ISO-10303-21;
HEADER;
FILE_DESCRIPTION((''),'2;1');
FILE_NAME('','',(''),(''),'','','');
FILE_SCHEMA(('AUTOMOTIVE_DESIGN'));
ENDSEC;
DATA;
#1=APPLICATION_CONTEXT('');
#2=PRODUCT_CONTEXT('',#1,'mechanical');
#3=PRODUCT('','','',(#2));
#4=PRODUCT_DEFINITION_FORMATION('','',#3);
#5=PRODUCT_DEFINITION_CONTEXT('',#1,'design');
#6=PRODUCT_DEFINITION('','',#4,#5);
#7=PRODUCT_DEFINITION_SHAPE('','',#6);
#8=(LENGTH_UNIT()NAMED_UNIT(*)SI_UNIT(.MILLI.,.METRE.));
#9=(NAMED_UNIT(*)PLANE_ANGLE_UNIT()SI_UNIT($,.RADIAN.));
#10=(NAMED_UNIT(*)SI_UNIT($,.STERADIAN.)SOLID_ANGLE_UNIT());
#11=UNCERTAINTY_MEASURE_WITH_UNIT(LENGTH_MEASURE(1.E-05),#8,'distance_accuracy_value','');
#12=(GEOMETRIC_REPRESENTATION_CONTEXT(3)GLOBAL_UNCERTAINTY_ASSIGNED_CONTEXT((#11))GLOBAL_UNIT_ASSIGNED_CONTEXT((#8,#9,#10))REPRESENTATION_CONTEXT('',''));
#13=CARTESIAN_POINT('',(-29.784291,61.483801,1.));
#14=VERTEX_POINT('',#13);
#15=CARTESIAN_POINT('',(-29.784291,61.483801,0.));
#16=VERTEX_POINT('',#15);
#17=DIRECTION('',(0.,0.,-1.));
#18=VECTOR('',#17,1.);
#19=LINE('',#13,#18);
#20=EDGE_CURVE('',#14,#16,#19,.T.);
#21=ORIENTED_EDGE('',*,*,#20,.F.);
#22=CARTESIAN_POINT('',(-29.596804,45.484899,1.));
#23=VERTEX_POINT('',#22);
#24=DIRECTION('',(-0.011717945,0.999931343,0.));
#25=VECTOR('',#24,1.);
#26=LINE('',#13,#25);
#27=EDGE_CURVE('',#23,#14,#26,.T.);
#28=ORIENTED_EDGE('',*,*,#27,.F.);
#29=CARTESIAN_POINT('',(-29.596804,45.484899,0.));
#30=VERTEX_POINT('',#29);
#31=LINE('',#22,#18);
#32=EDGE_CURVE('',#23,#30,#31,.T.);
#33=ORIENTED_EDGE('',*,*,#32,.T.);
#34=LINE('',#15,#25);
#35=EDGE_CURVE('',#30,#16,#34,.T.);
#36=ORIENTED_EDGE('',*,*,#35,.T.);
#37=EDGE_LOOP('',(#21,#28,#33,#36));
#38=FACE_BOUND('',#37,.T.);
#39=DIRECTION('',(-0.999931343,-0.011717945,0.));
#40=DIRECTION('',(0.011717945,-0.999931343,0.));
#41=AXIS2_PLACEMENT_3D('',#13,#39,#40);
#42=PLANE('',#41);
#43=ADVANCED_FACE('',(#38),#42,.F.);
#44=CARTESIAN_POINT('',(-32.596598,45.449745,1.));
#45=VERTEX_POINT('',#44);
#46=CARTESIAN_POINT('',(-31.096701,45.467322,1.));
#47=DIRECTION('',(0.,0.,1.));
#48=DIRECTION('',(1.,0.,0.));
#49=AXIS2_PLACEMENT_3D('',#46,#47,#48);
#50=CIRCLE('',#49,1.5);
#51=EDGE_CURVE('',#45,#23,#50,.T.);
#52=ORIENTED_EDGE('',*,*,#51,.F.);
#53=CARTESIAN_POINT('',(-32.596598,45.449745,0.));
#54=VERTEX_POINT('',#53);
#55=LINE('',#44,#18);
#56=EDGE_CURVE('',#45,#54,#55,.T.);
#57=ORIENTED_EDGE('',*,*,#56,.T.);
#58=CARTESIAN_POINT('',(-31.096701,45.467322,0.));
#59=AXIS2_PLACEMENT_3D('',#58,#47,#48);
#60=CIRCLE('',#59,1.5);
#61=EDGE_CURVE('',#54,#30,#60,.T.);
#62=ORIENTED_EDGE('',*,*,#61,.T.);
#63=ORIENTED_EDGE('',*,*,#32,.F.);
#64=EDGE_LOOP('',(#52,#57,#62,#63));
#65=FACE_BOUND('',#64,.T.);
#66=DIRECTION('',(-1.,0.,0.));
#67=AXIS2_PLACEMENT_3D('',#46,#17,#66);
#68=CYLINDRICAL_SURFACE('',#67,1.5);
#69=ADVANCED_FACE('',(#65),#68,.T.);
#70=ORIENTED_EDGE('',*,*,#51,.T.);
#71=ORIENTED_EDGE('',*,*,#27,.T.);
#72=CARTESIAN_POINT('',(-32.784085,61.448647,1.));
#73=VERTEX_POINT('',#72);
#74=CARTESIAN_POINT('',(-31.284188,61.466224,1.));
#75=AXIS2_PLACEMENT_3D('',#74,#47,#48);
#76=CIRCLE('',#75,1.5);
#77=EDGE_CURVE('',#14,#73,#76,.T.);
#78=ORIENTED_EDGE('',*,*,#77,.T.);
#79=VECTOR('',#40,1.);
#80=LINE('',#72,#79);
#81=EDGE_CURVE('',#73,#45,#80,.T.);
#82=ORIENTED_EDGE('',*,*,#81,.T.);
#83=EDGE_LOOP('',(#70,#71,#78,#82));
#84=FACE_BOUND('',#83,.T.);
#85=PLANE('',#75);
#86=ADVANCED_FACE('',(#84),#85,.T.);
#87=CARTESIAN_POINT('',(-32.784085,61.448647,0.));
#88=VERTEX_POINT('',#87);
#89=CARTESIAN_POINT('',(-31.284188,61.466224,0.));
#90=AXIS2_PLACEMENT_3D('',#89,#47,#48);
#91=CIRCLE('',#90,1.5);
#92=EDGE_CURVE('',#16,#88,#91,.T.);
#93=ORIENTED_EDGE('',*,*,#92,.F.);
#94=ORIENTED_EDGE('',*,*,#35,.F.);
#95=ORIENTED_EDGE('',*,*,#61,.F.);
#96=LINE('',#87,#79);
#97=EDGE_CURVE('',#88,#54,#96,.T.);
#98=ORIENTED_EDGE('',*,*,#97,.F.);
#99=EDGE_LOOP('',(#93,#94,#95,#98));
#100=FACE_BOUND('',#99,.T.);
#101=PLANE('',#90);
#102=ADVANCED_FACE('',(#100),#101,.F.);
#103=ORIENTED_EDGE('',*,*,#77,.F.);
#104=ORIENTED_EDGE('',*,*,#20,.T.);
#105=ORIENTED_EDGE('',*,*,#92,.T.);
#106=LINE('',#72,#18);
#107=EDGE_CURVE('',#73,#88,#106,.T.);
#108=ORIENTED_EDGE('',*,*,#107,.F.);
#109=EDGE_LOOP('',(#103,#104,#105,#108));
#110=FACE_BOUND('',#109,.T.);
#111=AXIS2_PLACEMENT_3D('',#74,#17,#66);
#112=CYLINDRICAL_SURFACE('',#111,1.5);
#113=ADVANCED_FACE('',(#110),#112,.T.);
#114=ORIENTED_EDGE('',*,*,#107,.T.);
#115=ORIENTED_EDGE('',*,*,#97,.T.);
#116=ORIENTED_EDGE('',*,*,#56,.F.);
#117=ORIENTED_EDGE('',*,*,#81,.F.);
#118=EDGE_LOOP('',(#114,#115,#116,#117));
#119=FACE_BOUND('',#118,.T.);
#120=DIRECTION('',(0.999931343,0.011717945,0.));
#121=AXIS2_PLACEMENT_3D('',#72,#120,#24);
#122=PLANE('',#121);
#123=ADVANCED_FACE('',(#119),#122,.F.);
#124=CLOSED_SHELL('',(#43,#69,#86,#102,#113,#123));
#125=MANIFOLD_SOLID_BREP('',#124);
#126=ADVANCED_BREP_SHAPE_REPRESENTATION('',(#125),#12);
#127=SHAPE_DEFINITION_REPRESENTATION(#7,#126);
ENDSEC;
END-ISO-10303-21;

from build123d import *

# Parameters (mm, degrees)
EXTRUDE_1_DEPTH = 1


with BuildPart() as part:
    # 草图1 → 凸台-拉伸1 (new body)
    with BuildSketch(Plane.XY):
        with BuildLine():
            Line((-29.784291412, 61.483800789), (-29.596804285, 45.484899309))
            ThreePointArc((-29.596804285, 45.484899309), (-31.079124381, 43.967425377), (-32.596598312, 45.449745473))
            Line((-32.596598312, 45.449745473), (-32.784085439, 61.448646953))
            ThreePointArc((-32.784085439, 61.448646953), (-31.301765344, 62.966120885), (-29.784291412, 61.483800789))
        make_face()
    extrude(amount=EXTRUDE_1_DEPTH)


solid = part.part
